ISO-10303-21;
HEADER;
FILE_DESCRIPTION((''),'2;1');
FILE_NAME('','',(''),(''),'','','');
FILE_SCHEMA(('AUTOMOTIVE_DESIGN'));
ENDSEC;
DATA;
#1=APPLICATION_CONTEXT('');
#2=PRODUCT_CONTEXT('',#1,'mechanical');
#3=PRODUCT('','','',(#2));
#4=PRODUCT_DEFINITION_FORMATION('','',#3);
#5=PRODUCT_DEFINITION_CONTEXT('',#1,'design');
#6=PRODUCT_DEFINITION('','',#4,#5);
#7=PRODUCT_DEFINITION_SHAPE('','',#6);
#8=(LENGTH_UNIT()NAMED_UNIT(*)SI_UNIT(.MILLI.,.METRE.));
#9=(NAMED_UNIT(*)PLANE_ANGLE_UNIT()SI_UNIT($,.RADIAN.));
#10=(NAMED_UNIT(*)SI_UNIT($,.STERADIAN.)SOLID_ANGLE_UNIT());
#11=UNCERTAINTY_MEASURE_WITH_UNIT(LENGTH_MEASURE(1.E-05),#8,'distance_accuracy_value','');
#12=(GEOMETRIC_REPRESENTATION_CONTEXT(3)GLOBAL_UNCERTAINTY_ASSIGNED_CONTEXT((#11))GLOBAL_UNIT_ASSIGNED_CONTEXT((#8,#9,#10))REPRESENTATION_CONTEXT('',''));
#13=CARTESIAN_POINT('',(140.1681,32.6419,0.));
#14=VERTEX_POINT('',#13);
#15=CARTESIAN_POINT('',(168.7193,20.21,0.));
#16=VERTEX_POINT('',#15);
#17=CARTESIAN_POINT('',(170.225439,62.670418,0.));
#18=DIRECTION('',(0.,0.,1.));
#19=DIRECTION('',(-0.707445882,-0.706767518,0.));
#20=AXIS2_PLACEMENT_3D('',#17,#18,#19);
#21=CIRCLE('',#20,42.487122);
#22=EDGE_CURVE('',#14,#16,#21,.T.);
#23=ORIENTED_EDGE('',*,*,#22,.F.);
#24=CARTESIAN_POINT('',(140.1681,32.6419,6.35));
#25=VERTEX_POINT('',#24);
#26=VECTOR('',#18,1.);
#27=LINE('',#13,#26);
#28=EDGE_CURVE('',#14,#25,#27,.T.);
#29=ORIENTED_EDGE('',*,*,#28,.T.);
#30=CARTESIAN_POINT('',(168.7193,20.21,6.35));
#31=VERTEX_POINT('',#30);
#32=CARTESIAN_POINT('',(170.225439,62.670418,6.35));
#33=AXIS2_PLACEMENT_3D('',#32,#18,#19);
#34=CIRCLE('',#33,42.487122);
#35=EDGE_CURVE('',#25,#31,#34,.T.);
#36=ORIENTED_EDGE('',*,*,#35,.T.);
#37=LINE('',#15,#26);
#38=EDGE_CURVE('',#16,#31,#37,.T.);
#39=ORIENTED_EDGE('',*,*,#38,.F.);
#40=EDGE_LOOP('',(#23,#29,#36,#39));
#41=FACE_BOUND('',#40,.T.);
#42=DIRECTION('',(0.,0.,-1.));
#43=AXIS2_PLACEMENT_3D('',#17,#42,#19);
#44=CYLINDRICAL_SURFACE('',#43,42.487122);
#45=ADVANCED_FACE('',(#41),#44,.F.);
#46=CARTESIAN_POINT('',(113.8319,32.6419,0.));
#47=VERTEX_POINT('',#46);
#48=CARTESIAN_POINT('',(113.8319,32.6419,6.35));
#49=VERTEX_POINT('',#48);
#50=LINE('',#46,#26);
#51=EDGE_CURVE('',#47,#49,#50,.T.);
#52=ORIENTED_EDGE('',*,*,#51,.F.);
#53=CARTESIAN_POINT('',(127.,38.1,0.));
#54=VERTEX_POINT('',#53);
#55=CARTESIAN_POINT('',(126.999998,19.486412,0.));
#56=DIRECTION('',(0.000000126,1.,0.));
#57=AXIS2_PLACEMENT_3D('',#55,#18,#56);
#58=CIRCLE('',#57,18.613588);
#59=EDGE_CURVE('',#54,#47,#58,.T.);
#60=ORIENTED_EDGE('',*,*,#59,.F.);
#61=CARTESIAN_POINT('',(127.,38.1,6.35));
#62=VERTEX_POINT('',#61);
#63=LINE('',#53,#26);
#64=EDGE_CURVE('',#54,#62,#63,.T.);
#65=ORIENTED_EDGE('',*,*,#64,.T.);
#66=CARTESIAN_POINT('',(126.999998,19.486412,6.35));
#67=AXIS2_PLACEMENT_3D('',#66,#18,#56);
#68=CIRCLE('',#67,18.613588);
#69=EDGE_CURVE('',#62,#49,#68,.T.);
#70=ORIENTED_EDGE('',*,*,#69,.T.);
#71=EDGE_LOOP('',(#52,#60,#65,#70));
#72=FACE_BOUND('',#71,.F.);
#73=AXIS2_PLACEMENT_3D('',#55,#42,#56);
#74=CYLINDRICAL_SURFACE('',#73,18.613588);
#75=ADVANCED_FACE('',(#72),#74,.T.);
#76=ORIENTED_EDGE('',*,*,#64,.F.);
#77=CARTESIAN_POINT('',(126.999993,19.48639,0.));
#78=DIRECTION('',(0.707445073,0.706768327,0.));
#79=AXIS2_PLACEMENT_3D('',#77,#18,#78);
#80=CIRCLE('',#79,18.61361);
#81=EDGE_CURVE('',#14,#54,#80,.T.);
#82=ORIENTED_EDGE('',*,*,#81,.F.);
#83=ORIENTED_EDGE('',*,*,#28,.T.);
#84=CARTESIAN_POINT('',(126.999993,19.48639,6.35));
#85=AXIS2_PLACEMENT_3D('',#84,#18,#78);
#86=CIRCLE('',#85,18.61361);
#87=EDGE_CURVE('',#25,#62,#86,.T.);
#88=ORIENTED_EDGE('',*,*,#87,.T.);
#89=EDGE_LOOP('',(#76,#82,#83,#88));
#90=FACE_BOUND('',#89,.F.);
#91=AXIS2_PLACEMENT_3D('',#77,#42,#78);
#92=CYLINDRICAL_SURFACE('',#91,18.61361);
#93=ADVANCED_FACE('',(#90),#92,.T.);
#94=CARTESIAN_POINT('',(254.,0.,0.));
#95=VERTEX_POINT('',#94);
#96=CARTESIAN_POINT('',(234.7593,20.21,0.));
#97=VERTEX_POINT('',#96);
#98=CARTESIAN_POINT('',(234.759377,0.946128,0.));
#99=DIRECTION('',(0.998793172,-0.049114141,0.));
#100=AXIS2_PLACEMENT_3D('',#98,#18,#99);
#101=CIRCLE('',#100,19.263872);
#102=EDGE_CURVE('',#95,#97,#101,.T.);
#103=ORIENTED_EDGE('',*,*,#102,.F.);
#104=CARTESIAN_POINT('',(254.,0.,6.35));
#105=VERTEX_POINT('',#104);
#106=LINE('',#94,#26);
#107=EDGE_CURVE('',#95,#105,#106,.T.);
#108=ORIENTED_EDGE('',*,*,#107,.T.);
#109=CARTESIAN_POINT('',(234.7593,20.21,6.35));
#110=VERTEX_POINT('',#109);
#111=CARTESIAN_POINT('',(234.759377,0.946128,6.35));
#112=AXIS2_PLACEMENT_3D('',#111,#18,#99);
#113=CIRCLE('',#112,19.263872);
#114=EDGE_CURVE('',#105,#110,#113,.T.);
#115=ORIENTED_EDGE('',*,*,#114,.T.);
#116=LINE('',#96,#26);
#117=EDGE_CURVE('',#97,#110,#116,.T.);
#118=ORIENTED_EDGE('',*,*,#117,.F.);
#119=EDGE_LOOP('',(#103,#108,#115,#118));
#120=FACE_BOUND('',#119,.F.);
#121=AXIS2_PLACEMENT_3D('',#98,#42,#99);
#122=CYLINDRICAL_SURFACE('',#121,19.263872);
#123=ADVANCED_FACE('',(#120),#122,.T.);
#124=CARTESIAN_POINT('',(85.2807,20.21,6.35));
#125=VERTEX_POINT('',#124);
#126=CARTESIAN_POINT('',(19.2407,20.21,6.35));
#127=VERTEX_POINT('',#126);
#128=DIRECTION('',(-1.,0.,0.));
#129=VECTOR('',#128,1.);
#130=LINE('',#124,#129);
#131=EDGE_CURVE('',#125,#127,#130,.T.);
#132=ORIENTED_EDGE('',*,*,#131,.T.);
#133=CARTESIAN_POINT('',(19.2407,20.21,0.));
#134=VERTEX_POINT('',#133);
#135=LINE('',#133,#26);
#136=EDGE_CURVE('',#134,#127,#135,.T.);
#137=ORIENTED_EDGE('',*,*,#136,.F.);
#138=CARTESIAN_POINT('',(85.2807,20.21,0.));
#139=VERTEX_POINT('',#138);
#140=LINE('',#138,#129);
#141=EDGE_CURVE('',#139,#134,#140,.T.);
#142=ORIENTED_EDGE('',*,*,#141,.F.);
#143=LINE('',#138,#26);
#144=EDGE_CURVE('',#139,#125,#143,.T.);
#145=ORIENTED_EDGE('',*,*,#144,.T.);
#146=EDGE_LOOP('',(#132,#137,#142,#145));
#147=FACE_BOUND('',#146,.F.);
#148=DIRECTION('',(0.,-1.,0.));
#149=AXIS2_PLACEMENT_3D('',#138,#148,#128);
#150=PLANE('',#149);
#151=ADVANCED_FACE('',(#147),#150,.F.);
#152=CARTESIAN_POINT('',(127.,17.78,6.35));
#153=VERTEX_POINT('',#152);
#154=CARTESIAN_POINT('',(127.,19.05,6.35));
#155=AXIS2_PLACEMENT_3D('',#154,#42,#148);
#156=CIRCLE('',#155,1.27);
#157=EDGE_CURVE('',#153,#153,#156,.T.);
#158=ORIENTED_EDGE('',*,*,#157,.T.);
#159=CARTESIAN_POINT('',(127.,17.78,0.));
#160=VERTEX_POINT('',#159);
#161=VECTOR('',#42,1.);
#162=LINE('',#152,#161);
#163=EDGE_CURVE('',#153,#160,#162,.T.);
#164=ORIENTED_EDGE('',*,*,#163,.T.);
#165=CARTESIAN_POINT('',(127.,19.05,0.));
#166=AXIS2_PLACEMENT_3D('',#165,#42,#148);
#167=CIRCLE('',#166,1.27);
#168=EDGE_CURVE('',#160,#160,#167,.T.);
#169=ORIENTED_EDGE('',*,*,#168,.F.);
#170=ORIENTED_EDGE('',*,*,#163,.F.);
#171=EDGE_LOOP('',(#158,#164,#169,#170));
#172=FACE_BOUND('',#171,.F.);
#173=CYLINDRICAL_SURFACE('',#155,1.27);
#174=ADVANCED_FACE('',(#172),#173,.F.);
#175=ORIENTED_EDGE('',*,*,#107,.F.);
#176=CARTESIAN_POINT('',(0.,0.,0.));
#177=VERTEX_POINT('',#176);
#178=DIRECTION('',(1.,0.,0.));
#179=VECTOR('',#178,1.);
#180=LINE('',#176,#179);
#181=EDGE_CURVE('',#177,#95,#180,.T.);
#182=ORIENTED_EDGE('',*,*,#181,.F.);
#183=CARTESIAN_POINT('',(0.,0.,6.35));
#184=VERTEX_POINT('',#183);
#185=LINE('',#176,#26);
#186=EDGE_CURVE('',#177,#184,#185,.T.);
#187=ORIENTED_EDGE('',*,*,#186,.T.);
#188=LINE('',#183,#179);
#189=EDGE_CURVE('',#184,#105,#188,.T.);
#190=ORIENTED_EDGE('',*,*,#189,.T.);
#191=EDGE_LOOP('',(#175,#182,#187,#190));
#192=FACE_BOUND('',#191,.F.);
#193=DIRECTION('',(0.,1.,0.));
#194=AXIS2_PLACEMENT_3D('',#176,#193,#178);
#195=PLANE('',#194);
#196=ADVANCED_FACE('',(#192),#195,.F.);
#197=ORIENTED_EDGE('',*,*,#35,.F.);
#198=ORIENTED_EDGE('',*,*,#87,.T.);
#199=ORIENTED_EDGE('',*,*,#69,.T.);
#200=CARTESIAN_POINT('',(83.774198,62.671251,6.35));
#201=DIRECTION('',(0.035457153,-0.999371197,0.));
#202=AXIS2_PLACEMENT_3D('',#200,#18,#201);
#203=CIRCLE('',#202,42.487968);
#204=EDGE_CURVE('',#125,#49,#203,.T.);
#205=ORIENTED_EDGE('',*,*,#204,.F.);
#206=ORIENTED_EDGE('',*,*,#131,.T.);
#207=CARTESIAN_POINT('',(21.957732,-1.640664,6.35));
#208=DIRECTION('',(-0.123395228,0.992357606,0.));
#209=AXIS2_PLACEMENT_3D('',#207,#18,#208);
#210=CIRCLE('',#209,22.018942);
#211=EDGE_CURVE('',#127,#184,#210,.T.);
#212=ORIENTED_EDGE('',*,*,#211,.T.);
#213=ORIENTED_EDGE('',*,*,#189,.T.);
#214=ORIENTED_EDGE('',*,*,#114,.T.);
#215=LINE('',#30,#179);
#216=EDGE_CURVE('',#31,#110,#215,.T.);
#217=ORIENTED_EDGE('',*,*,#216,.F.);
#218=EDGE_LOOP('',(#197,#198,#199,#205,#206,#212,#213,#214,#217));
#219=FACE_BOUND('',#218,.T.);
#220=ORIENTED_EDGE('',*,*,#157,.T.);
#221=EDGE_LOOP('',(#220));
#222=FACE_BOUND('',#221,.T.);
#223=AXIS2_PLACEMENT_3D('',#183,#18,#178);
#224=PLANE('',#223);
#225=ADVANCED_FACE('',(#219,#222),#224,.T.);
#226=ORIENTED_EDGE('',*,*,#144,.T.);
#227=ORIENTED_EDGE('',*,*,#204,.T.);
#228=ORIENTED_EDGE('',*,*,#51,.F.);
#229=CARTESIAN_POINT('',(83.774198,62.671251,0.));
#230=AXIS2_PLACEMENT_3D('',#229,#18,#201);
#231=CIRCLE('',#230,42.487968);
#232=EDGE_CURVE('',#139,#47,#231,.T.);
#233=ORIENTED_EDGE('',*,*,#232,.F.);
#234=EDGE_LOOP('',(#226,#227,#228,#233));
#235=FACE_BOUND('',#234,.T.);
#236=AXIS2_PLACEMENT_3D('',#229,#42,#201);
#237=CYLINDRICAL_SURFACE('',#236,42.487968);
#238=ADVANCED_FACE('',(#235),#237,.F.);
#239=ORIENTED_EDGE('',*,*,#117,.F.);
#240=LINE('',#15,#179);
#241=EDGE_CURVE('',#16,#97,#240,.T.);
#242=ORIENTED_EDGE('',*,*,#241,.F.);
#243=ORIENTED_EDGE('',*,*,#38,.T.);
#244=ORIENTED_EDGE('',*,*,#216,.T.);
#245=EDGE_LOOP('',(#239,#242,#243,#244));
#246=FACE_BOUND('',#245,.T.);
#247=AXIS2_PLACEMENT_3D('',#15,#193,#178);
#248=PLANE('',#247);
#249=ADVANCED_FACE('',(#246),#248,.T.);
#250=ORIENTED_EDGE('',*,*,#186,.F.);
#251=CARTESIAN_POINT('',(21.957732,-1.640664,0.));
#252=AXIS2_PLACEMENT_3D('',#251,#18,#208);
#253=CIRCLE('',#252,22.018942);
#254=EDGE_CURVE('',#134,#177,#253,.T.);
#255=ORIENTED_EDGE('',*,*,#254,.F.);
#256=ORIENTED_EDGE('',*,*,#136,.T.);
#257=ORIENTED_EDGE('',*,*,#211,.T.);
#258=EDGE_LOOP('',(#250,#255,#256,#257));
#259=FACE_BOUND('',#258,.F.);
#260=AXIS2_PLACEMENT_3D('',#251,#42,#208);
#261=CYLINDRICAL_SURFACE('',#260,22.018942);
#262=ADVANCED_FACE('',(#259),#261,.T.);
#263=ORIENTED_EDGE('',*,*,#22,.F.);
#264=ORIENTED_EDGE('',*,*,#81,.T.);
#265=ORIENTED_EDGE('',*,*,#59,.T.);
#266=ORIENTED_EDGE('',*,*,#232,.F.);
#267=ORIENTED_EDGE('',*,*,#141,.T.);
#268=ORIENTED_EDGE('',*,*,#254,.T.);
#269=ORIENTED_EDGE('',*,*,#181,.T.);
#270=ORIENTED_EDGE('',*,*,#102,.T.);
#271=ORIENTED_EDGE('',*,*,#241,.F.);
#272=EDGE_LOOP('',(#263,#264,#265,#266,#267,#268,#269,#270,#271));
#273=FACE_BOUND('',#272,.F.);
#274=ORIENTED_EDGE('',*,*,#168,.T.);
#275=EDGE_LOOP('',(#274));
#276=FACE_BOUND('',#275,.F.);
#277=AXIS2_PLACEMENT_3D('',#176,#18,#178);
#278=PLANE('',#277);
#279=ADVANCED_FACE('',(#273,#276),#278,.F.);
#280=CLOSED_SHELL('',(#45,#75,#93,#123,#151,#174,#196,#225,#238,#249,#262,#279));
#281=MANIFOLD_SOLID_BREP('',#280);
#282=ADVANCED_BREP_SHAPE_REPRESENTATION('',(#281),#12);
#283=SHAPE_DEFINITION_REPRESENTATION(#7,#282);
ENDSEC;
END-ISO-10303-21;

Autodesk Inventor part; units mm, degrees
ref_plane "YZ Plane" through (0, 0, 0) normal (1, 0, 0) x (0, 1, 0)
ref_plane "XZ Plane" through (0, 0, 0) normal (0, 1, 0) x (-1, 0, 0)
ref_plane "XY Plane" through (0, 0, 0) normal (0, 0, 1) x (1, 0, 0)
sketch "Sketch1" plane through (0, 0, 0) normal (0, 0, 1) x (1, 0, 0)
  line L0 (0, 0) -> (254, 0)
  circle A0 centre (127, 20.32) radius 9.652 construction
  line L1 (127, 38.1) -> (127, 0) construction
  arc A1 (85.2807, 20.21) -> (113.8319, 32.6419) centre (83.7743, 62.6708) ccw
  arc A2 (127, 38.1) -> (113.8319, 32.6419) centre (127, 19.4864) ccw
  arc A3 (140.1681, 32.6419) -> (168.7193, 20.21) centre (170.2257, 62.6708) ccw
  arc A4 (140.1681, 32.6419) -> (127, 38.1) centre (127, 19.4864) ccw
  line L2 (85.2807, 20.21) -> (19.2407, 20.21)
  line L3 (168.7193, 20.21) -> (234.7593, 20.21)
  arc A5 (254, 0) -> (234.7593, 20.21) centre (234.7593, 0.9461) ccw
  arc A6 (19.2407, 20.21) -> (0, 0) centre (21.9577, -1.6406) ccw
  dimension "d2" = 19.304
  dimension "d74" = 254
  dimension "d75" = 20.32
  dimension "d76" = 38.1
  dimension "d78" = 42.4876
  dimension "d79" = 18.6136
  dimension "d89" = 66.04
  dimension "d90" = 66.04
  dimension "d91" = 22.0189
  dimension "d92" = 19.2639
  dimension "d93" = 21.8506
extrude "Extrusion2" add sketch "Sketch1" along normal blind 6.35
sketch "Sketch5" plane through (0, 0, 6.35) normal (0, 0, 1) x (1, 0, 0)
  circle A0 centre (127, 19.05) radius 9.652
  line L0 (0, 0) -> (254, 0) projected
  arc A1 (140.1681, 32.6419) -> (113.8319, 32.6419) centre (127, 19.4864) ccw projected
  point P0 (127, 1.27)
  point P1 (127, 38.1)
  dimension "d58" = 19.304
  dimension "d87" = 19.05
hole "Hole3" at (127, 19.05, 6.35) direction (0, 0, -1) diameter 2.54 end through all
properties part number "holder"
